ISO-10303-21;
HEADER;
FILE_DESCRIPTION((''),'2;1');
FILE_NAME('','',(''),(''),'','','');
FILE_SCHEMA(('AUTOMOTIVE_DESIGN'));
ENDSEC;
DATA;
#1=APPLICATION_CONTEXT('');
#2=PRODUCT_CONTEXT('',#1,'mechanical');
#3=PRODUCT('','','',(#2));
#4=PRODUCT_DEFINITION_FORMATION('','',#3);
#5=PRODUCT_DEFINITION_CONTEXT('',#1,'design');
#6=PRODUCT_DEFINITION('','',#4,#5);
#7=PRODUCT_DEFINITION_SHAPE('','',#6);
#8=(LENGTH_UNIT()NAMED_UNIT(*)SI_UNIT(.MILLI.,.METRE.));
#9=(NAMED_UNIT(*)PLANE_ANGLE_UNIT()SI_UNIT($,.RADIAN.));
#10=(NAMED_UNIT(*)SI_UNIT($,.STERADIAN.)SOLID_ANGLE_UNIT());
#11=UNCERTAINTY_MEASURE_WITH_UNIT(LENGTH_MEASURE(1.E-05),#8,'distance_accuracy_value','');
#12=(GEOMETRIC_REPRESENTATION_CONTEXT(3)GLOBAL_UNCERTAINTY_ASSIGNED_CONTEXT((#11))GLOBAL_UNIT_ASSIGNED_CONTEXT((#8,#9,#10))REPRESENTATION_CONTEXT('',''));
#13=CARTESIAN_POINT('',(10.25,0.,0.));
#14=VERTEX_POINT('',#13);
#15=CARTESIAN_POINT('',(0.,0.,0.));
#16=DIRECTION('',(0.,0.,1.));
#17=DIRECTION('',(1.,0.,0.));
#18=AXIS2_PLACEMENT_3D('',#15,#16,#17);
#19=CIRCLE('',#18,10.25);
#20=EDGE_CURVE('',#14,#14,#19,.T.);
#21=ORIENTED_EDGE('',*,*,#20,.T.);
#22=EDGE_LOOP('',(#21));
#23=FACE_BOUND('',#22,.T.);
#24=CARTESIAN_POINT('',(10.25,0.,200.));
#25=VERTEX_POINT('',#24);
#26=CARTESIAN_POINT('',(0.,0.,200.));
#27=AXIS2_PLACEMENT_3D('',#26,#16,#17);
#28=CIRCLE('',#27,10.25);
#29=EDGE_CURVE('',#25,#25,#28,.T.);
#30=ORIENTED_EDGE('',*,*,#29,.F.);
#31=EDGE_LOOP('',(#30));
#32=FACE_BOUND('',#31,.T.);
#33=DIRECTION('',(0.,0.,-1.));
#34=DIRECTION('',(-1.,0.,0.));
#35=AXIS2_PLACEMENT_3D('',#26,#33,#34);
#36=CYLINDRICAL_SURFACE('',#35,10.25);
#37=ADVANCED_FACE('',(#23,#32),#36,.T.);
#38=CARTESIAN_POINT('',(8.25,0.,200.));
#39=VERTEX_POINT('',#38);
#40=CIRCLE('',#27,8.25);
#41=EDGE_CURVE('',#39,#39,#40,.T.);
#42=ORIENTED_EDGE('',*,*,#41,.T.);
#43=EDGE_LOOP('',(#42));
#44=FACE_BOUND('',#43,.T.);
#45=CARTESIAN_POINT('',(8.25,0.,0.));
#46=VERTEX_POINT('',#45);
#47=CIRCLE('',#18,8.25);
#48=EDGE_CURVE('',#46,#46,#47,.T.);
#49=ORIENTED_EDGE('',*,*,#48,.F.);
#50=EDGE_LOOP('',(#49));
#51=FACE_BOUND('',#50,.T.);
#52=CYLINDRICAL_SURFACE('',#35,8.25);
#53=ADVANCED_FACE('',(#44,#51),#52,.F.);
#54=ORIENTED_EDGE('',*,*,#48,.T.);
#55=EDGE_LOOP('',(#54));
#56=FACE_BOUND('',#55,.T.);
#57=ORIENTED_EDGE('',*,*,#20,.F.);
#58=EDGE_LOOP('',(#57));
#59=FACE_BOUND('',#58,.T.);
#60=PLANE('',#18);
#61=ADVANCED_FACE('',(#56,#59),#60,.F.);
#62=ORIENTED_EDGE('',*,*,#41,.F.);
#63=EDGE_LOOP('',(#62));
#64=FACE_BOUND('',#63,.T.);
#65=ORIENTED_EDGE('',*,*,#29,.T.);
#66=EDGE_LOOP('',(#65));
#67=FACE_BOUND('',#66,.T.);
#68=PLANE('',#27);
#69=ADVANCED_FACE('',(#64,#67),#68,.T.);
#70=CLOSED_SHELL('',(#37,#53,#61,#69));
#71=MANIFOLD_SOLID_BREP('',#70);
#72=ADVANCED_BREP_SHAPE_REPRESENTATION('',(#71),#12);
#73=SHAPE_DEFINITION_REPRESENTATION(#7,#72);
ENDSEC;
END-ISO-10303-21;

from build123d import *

# Parameters (mm, degrees)
SKETCH1_R           = 10.25
SKETCH1_R_2         = 8.25
BOSS_EXTRUDE1_DEPTH = 200


with BuildPart() as part:
    # Sketch1 → Boss-Extrude1 (new body)
    with BuildSketch(Plane.XY):
        Circle(SKETCH1_R)
        Circle(SKETCH1_R_2, mode=Mode.SUBTRACT)
    extrude(amount=BOSS_EXTRUDE1_DEPTH)


solid = part.part
